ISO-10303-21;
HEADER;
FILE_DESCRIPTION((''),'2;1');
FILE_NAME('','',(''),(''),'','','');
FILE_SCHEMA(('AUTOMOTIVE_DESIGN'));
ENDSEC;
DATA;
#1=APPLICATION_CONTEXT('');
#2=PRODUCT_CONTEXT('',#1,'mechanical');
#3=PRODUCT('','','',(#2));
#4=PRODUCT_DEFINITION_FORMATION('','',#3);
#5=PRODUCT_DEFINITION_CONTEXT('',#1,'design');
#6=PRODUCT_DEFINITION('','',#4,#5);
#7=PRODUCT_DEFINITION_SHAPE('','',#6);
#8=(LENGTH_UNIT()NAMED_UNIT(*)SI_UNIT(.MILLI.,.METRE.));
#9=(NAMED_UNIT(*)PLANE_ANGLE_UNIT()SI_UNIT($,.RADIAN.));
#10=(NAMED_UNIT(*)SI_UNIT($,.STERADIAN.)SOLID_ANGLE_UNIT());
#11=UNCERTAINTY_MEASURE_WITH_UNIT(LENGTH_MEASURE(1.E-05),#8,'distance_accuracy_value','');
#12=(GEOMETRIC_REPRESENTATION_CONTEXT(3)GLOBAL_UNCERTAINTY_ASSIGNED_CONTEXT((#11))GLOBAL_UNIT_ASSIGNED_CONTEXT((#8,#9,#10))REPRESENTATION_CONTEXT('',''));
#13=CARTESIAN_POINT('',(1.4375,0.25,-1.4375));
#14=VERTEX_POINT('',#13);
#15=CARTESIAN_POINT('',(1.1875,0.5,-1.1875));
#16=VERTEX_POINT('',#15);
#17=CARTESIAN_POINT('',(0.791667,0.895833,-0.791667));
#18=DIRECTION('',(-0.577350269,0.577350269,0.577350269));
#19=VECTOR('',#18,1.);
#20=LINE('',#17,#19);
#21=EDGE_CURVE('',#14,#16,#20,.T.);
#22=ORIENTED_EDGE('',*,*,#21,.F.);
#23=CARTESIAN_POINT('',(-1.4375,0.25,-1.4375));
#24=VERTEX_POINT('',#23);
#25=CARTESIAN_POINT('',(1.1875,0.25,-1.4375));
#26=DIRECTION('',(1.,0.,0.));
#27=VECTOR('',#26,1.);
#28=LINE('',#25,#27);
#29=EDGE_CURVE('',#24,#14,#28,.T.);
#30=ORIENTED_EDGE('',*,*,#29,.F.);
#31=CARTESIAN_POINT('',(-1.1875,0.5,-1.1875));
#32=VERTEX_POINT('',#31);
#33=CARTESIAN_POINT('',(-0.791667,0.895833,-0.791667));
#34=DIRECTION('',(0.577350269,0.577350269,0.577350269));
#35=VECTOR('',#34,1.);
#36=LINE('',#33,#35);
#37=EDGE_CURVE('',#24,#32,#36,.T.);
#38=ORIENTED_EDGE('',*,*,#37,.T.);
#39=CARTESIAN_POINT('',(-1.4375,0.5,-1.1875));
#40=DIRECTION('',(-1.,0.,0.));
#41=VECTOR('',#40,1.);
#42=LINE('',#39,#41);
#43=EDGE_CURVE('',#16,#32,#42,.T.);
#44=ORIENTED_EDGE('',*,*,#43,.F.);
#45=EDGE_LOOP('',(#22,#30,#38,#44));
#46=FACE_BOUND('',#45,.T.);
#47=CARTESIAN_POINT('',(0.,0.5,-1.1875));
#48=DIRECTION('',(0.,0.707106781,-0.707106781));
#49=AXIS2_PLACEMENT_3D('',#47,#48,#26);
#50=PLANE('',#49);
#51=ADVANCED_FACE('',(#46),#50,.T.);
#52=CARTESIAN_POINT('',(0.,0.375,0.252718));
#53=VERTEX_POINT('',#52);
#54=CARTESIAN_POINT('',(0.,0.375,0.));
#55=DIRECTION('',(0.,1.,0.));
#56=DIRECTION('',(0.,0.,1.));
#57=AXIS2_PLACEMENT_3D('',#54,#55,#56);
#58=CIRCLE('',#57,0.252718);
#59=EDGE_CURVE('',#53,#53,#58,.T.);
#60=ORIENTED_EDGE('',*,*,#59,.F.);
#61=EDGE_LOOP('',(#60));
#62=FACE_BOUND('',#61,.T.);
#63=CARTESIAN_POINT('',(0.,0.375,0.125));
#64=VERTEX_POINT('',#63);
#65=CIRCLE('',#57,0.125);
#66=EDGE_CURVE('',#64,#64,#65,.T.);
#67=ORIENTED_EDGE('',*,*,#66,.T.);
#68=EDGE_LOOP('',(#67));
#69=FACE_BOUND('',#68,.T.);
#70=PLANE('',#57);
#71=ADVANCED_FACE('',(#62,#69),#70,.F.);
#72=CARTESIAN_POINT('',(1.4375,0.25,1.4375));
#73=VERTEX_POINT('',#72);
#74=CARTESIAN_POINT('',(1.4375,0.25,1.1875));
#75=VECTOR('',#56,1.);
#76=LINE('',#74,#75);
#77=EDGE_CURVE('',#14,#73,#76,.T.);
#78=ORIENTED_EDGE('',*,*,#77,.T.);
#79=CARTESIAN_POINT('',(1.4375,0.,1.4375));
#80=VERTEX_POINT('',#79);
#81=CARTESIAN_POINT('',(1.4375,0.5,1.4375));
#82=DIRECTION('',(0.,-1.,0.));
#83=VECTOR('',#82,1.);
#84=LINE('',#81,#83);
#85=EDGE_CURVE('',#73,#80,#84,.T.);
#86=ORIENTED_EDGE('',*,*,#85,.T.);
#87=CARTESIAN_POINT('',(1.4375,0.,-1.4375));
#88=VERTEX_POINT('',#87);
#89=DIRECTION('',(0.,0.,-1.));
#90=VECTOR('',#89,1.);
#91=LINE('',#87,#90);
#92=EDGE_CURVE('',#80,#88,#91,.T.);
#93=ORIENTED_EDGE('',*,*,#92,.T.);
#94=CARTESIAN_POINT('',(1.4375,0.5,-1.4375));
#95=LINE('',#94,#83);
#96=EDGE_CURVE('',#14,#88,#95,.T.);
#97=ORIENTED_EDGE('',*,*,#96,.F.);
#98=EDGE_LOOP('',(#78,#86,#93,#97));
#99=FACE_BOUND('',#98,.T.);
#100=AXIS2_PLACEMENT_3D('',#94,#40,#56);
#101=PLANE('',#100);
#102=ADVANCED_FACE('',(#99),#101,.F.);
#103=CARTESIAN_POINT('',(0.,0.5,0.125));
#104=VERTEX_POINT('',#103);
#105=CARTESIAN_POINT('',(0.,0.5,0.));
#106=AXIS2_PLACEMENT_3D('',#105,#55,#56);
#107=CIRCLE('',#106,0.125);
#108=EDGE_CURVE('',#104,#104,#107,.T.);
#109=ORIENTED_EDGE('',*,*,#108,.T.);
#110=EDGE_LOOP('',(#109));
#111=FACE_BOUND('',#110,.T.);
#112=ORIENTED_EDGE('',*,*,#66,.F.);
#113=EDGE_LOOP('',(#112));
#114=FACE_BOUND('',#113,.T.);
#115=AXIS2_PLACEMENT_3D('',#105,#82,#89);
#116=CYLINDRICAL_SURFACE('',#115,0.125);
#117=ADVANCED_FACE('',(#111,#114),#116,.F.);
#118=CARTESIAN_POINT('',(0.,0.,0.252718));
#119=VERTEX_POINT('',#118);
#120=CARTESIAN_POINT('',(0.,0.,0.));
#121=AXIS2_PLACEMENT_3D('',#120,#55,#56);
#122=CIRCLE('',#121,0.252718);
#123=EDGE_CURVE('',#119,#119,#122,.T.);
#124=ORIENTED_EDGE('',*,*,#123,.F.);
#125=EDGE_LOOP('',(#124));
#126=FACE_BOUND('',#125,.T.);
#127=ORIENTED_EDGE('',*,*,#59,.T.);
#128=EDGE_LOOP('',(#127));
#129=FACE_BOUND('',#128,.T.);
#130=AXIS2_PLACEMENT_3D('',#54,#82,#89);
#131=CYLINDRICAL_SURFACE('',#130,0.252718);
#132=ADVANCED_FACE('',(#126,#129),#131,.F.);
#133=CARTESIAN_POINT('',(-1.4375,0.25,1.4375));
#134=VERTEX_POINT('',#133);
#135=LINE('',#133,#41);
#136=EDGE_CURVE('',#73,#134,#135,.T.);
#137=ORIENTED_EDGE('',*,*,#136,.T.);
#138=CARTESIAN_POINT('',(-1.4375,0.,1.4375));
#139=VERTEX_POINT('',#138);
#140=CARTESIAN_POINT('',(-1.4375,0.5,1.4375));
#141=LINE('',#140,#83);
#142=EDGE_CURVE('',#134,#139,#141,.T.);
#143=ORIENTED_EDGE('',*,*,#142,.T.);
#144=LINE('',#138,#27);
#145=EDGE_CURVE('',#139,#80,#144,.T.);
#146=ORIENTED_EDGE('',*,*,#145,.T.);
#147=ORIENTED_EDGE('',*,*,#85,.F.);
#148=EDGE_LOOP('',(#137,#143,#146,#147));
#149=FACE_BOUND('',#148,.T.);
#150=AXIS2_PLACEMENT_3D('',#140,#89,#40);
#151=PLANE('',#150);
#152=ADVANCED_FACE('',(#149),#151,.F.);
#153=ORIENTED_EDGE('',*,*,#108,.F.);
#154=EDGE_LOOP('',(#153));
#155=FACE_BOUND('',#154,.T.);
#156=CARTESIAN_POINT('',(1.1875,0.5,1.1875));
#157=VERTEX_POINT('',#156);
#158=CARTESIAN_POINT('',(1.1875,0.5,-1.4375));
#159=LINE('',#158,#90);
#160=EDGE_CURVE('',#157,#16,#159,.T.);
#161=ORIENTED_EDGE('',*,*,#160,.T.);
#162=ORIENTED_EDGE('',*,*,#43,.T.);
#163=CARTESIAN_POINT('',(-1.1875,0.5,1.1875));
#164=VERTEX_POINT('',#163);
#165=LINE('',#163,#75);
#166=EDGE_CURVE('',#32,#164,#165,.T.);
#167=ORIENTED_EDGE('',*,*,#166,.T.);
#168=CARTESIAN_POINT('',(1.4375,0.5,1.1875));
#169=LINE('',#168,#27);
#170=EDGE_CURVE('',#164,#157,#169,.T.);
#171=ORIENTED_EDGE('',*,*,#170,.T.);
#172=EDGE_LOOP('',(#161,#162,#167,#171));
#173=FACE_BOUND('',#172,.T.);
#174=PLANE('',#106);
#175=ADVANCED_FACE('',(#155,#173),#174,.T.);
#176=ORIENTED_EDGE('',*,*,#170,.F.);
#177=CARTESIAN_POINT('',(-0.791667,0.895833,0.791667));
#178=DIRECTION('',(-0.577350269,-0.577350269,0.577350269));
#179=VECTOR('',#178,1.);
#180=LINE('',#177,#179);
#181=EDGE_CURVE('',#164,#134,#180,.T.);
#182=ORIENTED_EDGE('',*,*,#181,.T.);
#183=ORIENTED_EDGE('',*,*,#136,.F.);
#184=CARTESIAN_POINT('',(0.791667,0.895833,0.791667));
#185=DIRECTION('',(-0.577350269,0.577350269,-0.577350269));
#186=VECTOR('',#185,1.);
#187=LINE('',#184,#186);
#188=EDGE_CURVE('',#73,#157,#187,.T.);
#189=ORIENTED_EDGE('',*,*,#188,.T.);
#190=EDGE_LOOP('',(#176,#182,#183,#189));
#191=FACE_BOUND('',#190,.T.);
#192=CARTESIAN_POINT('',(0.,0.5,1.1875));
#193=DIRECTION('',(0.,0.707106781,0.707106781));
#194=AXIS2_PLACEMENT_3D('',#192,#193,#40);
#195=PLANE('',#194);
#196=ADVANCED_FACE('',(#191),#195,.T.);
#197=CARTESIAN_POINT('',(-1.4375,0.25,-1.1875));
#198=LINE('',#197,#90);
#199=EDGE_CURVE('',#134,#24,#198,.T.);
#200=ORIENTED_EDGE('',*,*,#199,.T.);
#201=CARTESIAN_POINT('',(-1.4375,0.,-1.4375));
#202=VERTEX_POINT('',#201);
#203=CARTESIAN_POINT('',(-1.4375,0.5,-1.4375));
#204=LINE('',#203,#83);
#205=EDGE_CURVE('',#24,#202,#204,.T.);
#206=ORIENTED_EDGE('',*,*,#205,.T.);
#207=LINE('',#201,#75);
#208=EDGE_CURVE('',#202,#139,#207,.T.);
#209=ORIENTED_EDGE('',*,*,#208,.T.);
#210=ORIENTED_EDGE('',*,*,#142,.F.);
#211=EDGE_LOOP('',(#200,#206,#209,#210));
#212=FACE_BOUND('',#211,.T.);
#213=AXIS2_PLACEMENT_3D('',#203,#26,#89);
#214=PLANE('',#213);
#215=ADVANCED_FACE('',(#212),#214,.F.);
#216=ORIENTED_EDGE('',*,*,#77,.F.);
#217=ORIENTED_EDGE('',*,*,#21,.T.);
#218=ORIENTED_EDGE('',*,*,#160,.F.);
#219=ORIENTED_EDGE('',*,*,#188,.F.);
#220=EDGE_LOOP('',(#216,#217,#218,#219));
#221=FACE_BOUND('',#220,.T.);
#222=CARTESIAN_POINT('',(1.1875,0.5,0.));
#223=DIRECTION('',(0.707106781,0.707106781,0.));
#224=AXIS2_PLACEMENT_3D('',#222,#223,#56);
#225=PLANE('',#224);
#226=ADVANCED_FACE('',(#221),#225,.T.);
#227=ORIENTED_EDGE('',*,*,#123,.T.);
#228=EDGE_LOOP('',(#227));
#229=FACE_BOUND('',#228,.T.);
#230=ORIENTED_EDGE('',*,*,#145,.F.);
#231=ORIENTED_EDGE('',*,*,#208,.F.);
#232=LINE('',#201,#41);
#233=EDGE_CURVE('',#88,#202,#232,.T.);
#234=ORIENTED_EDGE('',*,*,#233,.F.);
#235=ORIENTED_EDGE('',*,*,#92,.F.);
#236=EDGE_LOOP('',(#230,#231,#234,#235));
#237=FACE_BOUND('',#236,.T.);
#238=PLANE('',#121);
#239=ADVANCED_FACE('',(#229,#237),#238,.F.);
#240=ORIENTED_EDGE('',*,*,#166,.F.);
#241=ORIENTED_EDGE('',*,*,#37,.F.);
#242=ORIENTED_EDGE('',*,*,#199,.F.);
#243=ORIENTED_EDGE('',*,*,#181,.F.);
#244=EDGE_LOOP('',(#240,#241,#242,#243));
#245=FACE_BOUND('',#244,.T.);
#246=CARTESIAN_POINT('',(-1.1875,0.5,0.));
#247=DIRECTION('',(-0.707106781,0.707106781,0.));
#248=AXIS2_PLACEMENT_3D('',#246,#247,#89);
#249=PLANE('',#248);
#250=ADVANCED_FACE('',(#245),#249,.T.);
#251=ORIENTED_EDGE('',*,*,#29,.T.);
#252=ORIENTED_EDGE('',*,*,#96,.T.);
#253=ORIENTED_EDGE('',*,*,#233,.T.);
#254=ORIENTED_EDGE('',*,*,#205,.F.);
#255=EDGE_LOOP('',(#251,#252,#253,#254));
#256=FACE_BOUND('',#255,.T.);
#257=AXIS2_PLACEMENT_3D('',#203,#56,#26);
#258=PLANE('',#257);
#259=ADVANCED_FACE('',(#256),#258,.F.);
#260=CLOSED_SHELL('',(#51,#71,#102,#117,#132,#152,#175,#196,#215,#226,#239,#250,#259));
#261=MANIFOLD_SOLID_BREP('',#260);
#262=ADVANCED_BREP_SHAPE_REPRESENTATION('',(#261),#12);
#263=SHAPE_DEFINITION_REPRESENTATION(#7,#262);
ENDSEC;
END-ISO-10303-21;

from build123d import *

# Parameters (mm, degrees)
SKETCH1_W           = 2.875
SKETCH1_H           = 2.875
BOSS_EXTRUDE1_DEPTH = 0.5
SKETCH4_R           = 0.252718066
CUT_EXTRUDE2_DEPTH  = 0.375
SKETCH6_R           = 0.125
CUT_EXTRUDE3_DEPTH  = 0.125
CHAMFER1_SIZE       = 0.25
CHAMFER2_SIZE       = 0.25
CHAMFER3_SIZE       = 0.25
CHAMFER4_SIZE       = 0.25


with BuildPart() as part:
    # Sketch1 → Boss-Extrude1 (new body)
    with BuildSketch(Plane(origin=(0, 0, 0), x_dir=(1, 0, 0), z_dir=(0, 1, 0))):
        Rectangle(SKETCH1_W, SKETCH1_H)
    extrude(amount=BOSS_EXTRUDE1_DEPTH)

    # Sketch4 → Cut-Extrude2 (cut)
    with BuildSketch(Plane(origin=(0, 0, 0), x_dir=(1, 0, 0), z_dir=(0, 1, 0))):
        with Locations(Location((0, 0, 0), (0, 0, 270))):
            Circle(SKETCH4_R)
    extrude(amount=CUT_EXTRUDE2_DEPTH, mode=Mode.SUBTRACT)

    # Sketch6 → Cut-Extrude3 (cut)
    with BuildSketch(Plane(origin=(0, 0.375, 0), x_dir=(1, 0, 0), z_dir=(0, 1, 0))):
        with Locations(Location((0, 0, 0), (0, 0, 270))):
            Circle(SKETCH6_R)
    extrude(amount=CUT_EXTRUDE3_DEPTH, mode=Mode.SUBTRACT)

    # Chamfer1
    chamfer1_edges = [part.edges().sort_by_distance(p)[0] for p in [
        (0, 0.5, 1.4375),
    ]]
    chamfer(chamfer1_edges, length=CHAMFER1_SIZE)

    # Chamfer2
    chamfer2_edges = [part.edges().sort_by_distance(p)[0] for p in [
        (1.4375, 0.5, -0.125),
    ]]
    chamfer(chamfer2_edges, length=CHAMFER2_SIZE)

    # Chamfer3
    chamfer3_edges = [part.edges().sort_by_distance(p)[0] for p in [
        (-0.125, 0.5, -1.4375),
    ]]
    chamfer(chamfer3_edges, length=CHAMFER3_SIZE)

    # Chamfer4
    chamfer4_edges = [part.edges().sort_by_distance(p)[0] for p in [
        (-1.4375, 0.5, 0),
    ]]
    chamfer(chamfer4_edges, length=CHAMFER4_SIZE)


solid = part.part
